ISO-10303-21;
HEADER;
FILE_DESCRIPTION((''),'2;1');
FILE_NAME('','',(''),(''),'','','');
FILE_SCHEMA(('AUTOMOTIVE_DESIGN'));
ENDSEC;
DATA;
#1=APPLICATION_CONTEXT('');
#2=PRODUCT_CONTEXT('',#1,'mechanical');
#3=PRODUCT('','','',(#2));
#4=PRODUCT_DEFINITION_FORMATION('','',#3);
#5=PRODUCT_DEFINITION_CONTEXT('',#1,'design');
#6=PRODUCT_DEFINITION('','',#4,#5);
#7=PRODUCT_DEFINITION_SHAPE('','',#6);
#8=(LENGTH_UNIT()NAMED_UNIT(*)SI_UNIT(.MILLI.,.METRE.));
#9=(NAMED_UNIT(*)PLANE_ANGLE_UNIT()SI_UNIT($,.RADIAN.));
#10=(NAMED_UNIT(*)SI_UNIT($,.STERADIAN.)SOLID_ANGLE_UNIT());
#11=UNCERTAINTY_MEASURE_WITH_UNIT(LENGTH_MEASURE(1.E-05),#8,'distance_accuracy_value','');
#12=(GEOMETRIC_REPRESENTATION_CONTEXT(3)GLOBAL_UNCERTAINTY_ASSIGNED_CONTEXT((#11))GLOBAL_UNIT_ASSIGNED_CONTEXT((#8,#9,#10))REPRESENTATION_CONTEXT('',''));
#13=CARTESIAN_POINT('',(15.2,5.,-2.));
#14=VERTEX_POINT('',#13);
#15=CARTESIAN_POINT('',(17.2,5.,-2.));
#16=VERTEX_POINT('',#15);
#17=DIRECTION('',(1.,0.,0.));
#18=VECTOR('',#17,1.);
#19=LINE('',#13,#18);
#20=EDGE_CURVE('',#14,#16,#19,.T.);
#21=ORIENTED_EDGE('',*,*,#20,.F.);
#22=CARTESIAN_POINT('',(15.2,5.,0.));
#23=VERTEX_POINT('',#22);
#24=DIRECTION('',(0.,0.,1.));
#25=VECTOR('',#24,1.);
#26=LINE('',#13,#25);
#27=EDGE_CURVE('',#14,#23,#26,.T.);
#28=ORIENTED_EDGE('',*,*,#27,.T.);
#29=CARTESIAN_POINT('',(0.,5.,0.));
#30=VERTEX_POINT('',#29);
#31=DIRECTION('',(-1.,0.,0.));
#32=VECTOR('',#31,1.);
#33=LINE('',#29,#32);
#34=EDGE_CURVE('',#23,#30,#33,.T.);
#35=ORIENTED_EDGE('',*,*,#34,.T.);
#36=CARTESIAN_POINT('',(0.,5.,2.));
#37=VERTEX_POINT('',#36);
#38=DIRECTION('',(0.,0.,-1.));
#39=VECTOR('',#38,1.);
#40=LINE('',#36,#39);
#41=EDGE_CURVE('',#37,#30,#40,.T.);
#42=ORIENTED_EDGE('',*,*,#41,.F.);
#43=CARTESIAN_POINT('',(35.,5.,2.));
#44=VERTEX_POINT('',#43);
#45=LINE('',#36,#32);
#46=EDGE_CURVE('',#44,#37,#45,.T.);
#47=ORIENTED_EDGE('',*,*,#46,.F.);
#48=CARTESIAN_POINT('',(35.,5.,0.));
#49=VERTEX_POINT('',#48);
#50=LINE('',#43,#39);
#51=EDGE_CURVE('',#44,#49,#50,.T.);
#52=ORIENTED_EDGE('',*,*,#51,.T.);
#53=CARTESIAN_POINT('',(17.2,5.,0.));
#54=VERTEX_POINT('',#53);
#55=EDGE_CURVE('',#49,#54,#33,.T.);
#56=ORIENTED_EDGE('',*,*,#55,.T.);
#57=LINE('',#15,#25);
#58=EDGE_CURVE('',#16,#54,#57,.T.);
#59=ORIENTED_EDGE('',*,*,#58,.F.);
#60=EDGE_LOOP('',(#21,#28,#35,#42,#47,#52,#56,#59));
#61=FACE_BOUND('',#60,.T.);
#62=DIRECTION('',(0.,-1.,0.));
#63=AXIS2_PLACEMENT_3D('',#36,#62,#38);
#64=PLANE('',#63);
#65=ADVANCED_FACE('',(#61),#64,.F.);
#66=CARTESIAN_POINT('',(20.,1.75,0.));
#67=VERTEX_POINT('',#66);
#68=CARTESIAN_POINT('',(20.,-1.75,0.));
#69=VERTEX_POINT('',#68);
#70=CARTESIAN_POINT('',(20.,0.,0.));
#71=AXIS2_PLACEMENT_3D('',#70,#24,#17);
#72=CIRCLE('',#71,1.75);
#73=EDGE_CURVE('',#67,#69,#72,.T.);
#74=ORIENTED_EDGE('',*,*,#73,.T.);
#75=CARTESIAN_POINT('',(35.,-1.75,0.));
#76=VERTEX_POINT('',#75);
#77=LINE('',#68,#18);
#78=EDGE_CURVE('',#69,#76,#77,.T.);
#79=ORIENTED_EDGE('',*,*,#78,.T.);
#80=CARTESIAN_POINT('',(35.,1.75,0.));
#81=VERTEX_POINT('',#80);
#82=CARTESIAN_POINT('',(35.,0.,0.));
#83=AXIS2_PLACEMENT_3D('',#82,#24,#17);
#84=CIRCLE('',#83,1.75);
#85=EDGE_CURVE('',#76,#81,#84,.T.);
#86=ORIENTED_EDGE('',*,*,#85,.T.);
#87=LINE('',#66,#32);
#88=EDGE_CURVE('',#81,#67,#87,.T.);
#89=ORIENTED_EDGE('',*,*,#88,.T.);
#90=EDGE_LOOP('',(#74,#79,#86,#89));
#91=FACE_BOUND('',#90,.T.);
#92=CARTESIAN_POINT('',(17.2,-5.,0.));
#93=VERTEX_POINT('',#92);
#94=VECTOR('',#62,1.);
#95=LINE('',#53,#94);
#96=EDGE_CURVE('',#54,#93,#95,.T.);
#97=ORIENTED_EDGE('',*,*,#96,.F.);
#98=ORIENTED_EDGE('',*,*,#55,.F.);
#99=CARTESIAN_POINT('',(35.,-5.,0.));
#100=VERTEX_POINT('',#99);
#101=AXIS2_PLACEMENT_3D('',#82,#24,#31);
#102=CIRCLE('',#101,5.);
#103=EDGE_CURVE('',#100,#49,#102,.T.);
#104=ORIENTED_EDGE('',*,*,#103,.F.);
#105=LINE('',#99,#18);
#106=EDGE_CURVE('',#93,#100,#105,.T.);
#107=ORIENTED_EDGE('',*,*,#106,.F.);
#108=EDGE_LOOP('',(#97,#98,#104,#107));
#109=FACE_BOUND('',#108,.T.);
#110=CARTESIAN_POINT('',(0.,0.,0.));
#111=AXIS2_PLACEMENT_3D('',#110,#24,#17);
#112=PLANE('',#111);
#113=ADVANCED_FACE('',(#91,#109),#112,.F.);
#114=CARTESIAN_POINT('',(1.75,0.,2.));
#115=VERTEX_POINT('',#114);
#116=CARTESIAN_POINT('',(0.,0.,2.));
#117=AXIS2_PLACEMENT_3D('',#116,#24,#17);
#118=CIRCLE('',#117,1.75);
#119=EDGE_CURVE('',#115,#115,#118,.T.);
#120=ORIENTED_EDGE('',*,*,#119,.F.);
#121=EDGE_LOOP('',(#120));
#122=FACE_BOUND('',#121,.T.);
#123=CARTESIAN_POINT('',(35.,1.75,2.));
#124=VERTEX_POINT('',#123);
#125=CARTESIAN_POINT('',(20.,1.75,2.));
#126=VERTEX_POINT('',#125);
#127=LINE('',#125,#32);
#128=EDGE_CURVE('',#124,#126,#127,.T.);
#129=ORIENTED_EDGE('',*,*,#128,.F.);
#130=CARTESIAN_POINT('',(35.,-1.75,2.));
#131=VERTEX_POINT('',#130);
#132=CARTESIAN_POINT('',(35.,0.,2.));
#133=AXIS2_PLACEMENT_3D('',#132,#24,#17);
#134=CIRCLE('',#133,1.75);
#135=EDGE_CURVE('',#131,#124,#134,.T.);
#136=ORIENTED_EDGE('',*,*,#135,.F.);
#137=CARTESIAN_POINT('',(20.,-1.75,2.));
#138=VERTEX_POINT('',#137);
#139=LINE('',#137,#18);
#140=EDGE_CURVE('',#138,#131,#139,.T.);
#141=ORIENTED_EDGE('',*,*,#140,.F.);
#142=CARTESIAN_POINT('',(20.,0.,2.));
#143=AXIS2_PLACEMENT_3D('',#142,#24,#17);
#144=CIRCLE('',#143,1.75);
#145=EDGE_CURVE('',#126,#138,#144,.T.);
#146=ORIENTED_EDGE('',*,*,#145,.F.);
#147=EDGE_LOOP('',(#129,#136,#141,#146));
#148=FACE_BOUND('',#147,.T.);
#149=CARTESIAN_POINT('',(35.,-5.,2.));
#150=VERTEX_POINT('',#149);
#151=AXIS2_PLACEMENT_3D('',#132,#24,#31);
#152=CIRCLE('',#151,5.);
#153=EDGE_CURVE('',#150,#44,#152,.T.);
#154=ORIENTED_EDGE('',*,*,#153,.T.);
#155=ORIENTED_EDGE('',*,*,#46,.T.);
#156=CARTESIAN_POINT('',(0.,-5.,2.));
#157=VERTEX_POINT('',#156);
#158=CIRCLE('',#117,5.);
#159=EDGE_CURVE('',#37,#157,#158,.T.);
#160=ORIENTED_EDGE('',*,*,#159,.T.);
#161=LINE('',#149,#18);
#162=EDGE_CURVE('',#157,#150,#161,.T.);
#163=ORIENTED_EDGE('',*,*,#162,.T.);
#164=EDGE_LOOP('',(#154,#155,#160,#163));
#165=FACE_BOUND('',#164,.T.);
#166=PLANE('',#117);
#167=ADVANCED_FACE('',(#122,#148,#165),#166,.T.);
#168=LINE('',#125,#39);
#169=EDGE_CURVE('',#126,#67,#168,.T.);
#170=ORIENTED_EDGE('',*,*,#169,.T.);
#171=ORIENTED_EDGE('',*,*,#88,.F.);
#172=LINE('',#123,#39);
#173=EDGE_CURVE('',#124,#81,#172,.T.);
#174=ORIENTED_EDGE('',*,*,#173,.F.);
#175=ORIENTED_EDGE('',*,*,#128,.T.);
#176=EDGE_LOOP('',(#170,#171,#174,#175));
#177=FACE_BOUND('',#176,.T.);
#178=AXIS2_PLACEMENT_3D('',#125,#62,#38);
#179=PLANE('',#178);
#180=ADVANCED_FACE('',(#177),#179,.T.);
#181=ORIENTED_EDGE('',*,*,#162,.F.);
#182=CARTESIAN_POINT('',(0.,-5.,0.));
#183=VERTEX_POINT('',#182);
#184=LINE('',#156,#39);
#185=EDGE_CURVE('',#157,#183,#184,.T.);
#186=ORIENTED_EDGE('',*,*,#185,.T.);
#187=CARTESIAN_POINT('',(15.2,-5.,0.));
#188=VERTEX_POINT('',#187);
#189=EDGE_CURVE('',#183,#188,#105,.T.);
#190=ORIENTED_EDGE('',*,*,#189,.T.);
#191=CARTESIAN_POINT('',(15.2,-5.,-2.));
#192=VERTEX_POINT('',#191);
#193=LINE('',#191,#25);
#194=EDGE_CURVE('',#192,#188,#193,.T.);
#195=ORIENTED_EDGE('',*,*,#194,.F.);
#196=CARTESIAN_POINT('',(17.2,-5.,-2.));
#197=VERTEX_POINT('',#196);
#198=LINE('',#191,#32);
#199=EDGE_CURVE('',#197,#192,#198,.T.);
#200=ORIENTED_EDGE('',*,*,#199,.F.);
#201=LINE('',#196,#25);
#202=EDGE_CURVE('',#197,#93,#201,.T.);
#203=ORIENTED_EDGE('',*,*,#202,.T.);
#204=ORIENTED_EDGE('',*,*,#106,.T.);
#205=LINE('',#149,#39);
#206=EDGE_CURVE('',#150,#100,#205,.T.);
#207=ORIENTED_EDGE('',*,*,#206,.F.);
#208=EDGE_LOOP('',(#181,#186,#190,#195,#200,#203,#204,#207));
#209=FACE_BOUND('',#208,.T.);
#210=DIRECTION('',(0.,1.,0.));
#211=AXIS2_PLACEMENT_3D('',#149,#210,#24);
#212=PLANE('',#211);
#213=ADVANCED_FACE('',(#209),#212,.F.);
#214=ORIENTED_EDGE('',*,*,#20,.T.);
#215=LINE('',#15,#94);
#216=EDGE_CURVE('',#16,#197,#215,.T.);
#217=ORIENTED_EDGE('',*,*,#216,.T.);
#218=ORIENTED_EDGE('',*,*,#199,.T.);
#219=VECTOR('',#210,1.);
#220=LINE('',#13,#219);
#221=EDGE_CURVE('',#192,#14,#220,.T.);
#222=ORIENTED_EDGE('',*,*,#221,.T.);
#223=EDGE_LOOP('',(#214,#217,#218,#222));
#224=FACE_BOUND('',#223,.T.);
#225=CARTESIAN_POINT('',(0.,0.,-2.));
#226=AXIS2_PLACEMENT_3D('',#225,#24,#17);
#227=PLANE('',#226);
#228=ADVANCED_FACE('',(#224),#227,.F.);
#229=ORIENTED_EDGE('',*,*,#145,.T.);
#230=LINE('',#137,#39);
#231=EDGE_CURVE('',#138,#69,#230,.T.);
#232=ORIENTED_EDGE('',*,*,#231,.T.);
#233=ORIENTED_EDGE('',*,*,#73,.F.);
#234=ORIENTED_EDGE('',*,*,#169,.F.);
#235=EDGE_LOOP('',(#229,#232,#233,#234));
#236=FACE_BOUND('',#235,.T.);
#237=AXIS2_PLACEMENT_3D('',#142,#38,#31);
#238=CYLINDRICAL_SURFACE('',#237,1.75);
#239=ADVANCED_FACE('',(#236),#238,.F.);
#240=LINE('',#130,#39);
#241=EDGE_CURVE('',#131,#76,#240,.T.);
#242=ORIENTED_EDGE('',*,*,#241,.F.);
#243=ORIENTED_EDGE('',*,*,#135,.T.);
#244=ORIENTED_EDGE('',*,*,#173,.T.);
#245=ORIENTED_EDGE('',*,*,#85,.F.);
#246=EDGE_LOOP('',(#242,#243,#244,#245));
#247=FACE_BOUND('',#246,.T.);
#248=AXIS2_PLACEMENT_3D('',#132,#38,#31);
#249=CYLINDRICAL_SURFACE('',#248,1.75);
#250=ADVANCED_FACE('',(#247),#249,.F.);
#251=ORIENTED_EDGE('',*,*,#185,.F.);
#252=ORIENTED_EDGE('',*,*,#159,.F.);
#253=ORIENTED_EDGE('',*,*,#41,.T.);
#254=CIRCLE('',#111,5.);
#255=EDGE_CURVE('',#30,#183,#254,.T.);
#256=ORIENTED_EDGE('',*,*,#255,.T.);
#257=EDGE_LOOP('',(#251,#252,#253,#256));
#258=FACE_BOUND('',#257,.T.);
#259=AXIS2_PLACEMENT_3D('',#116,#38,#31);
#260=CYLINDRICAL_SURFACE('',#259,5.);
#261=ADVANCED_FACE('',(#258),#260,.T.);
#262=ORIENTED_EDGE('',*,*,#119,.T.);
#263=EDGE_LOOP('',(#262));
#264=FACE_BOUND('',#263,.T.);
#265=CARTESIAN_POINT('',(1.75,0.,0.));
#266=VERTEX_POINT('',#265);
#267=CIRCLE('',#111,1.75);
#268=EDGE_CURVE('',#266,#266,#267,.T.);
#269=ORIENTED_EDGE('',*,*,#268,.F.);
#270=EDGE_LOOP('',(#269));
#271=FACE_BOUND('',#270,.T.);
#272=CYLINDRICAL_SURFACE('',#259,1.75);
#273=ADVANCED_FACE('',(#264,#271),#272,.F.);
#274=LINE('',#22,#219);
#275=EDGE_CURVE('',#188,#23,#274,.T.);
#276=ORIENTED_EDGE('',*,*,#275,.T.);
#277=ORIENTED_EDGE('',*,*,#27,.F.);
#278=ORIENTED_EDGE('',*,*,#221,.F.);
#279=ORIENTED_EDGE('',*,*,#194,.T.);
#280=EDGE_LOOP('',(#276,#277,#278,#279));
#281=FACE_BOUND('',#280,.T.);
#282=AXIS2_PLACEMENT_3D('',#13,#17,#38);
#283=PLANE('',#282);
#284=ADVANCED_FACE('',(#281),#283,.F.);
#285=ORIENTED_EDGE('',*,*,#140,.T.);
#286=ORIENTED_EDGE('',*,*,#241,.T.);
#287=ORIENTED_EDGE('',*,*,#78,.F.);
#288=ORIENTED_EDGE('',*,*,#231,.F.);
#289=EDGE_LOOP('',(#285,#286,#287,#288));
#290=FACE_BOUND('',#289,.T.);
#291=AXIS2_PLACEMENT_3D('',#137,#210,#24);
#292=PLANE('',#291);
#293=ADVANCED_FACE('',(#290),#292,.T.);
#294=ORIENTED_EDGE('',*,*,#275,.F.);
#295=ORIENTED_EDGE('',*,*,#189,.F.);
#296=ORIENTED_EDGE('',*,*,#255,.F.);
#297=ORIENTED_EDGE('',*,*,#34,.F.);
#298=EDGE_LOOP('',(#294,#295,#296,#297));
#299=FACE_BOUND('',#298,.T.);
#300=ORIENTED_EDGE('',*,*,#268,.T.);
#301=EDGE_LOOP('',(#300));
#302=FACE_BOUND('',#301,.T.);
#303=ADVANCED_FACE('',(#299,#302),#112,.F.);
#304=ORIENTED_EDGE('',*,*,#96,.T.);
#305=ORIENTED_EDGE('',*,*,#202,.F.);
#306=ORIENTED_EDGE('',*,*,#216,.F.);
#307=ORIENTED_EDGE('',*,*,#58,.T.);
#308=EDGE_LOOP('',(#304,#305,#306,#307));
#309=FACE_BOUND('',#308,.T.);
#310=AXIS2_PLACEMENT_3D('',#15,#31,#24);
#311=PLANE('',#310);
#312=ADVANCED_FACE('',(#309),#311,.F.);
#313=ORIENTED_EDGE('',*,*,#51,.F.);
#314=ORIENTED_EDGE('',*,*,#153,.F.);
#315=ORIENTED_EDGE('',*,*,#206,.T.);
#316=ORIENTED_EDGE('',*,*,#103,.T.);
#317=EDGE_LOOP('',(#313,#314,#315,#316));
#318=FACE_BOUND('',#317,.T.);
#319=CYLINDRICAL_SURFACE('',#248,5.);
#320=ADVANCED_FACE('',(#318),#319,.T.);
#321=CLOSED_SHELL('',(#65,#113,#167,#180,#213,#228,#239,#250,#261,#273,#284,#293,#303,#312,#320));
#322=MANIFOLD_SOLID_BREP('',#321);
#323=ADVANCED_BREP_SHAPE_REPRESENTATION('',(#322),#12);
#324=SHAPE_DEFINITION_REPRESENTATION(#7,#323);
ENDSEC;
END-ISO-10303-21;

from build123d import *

# Parameters (mm, degrees)
ESBO_O1_R                = 1.75
RESSALTO_EXTRUS_O1_DEPTH = 2
ESBO_O2_W                = 2
ESBO_O2_H                = 10
RESSALTO_EXTRUS_O2_DEPTH = 2


with BuildPart() as part:
    # Esboço1 → Ressalto-extrusão1 (new body)
    with BuildSketch(Plane.XY):
        with BuildLine():
            Line((0, 5), (35, 5))
            ThreePointArc((35, 5), (40, 0), (35, -5))
            Line((35, -5), (0, -5))
            ThreePointArc((0, -5), (-5, 0), (0, 5))
        make_face()
        Circle(ESBO_O1_R, mode=Mode.SUBTRACT)
        with BuildLine():
            Line((20, 1.75), (35, 1.75))
            ThreePointArc((35, 1.75), (36.75, 0), (35, -1.75))
            Line((35, -1.75), (20, -1.75))
            ThreePointArc((20, -1.75), (18.25, 0), (20, 1.75))
        make_face(mode=Mode.SUBTRACT)
    extrude(amount=RESSALTO_EXTRUS_O1_DEPTH)

    # Esboço2 → Ressalto-extrusão2 (add)
    with BuildSketch(Plane(origin=(0, 0, 0), x_dir=(-1, 0, 0), z_dir=(0, 0, -1))):
        with Locations((-16.2, 0)):
            Rectangle(ESBO_O2_W, ESBO_O2_H)
    extrude(amount=RESSALTO_EXTRUS_O2_DEPTH)


solid = part.part
